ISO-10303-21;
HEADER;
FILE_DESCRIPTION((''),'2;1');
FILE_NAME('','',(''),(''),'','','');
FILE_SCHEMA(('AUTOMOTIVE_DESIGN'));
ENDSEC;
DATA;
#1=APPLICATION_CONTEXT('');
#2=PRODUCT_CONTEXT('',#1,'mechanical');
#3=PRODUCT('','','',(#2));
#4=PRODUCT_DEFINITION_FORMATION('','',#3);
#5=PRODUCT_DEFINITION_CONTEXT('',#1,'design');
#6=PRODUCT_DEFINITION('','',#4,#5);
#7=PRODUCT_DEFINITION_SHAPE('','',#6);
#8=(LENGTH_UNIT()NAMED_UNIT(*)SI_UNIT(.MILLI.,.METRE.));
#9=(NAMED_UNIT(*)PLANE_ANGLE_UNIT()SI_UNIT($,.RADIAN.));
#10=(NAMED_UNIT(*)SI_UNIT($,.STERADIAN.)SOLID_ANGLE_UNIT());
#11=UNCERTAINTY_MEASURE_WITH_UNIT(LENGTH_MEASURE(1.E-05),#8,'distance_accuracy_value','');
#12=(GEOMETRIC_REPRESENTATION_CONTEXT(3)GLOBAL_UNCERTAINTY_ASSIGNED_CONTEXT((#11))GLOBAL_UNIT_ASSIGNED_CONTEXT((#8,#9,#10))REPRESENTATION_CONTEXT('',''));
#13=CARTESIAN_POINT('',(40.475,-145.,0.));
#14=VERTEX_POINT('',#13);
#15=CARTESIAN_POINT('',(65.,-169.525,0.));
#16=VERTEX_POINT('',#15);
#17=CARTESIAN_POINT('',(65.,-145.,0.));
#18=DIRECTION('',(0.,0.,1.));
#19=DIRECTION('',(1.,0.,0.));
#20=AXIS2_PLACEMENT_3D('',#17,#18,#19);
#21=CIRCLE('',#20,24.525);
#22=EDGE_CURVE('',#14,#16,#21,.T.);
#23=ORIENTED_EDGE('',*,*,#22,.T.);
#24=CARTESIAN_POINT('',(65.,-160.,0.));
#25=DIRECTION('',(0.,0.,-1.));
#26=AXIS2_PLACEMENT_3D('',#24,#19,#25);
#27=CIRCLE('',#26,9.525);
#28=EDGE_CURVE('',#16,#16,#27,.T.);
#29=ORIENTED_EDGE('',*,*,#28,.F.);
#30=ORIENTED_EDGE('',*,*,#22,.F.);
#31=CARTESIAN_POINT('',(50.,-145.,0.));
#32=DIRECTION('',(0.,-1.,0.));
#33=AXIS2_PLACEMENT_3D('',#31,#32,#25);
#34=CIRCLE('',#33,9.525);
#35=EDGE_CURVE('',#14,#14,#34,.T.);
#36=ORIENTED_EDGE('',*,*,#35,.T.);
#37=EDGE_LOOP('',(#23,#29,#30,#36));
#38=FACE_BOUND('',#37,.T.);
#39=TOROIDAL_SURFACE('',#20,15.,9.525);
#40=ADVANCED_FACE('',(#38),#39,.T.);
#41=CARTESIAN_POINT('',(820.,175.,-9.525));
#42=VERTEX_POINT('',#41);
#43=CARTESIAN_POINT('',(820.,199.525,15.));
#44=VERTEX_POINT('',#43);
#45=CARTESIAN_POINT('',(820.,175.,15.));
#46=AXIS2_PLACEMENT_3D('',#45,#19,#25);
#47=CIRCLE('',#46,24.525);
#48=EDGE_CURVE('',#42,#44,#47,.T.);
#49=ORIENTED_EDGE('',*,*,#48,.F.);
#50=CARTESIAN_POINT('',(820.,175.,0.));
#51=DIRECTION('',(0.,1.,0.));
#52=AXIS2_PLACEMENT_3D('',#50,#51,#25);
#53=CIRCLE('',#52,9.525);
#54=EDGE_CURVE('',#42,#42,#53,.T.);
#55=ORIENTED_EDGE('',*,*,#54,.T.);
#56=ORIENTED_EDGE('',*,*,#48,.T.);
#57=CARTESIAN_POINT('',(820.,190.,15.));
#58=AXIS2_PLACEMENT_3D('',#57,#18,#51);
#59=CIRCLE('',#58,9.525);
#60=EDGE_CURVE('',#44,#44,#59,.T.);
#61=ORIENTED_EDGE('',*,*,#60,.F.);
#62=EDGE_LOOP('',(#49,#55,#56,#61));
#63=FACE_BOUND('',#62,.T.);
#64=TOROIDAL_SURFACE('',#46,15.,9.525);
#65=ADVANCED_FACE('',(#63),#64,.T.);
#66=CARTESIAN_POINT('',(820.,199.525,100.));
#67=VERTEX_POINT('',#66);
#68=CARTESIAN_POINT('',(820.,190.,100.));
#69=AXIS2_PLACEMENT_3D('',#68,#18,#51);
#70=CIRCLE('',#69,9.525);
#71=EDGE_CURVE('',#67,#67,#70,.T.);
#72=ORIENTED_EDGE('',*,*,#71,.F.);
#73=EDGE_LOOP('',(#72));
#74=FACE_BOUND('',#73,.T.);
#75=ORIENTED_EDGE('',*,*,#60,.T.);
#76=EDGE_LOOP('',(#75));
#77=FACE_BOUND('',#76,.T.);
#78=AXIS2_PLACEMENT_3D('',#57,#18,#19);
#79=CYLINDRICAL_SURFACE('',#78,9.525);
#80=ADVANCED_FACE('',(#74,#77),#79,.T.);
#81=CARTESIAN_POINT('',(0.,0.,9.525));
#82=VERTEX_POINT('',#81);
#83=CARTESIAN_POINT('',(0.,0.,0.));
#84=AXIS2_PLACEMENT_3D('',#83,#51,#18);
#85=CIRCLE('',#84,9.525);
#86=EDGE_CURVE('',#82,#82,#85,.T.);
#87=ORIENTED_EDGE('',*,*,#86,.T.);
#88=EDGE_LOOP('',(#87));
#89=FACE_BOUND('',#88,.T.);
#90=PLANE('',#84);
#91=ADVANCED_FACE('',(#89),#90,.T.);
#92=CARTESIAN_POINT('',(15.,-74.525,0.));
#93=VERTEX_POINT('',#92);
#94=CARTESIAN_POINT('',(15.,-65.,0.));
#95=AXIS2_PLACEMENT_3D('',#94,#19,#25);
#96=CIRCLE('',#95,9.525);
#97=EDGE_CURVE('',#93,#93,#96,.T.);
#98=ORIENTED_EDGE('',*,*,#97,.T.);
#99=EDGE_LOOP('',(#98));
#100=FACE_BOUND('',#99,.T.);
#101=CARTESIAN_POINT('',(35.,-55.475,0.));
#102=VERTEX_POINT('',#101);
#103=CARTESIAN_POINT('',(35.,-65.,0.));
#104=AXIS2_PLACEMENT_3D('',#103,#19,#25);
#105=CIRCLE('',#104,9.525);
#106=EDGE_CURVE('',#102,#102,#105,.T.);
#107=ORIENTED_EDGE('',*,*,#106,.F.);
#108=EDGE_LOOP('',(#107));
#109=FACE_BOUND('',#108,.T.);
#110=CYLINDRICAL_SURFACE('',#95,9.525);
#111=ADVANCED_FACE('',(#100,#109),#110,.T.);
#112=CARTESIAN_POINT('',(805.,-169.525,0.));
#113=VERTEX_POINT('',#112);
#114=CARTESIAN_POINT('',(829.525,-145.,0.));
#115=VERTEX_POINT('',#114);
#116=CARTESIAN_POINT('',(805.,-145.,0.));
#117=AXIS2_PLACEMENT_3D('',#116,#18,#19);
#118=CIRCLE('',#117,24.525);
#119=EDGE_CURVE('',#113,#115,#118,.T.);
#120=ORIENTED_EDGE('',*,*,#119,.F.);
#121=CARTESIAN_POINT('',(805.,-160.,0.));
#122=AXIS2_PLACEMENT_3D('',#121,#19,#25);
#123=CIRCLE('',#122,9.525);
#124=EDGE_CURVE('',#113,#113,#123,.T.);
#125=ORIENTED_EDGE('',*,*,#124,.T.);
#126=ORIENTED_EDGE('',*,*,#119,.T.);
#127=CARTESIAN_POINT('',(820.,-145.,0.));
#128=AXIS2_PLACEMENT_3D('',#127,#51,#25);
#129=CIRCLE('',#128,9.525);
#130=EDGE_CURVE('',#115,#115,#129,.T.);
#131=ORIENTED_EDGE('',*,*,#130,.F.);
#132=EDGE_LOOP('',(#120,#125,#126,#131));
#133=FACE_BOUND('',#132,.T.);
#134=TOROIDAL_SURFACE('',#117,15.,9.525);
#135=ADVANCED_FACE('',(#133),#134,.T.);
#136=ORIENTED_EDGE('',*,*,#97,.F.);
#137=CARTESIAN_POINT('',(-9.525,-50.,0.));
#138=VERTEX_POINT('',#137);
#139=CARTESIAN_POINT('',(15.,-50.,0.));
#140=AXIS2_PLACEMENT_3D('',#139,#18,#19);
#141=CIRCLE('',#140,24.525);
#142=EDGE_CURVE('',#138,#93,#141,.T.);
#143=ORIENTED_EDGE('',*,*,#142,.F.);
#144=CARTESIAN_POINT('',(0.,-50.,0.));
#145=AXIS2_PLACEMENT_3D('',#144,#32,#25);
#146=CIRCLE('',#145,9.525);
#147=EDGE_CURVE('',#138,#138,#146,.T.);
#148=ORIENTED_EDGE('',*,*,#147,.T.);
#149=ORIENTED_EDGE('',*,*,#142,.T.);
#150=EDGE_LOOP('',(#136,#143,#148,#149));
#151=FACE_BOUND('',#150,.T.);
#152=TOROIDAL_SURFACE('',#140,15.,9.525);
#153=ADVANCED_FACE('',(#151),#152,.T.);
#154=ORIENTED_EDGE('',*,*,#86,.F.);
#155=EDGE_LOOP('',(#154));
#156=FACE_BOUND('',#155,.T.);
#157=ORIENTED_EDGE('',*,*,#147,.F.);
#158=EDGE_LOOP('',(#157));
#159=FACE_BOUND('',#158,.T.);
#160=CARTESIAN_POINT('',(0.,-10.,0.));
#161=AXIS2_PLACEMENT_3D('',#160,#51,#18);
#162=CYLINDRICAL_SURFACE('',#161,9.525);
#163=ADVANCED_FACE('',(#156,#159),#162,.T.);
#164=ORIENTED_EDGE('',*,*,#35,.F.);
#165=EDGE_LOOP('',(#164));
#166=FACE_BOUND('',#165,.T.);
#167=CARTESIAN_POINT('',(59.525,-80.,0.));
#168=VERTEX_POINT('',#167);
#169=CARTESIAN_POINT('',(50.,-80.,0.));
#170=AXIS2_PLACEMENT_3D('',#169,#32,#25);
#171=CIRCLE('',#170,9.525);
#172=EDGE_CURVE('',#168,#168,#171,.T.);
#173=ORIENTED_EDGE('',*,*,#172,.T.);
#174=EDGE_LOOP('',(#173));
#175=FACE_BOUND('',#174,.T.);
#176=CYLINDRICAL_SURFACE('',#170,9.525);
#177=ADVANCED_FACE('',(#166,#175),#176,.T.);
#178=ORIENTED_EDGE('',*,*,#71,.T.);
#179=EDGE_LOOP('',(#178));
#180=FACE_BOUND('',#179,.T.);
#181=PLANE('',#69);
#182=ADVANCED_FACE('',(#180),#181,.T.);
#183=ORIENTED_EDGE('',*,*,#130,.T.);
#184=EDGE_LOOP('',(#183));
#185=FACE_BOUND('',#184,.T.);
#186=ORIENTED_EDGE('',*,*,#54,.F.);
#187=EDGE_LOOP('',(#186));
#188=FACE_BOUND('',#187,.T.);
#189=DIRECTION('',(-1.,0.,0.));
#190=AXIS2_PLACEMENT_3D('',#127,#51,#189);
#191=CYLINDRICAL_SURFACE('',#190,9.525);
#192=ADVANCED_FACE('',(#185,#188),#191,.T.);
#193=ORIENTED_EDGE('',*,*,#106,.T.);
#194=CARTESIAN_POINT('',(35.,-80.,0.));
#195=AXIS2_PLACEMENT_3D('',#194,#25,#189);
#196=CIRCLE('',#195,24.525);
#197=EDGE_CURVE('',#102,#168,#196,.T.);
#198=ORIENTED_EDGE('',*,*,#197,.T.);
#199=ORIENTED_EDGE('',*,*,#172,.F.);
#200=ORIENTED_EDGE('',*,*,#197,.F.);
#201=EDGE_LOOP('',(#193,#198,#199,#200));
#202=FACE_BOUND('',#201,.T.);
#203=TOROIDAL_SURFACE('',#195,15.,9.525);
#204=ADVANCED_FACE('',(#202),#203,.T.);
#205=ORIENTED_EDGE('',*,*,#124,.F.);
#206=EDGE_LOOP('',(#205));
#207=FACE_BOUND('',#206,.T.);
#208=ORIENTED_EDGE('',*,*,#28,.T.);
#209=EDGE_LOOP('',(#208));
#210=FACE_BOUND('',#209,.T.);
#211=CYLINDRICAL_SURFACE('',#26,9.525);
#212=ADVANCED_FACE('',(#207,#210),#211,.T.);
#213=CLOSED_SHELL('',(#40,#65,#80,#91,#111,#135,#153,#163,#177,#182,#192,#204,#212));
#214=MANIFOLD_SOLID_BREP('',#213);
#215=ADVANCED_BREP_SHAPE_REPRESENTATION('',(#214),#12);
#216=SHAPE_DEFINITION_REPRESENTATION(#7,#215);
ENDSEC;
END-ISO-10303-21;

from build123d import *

# Parameters (mm, degrees)
CROQUIS1_R              = 9.525
SALIENTE_EXTRUIR1_DEPTH = 10
CROQUIS2_R              = 9.525


with BuildPart() as part:
    # Croquis1 → Saliente-Extruir1 (new body)
    with BuildSketch(Plane(origin=(0, 0, 0), x_dir=(1, 0, 0), z_dir=(0, 1, 0))):
        with Locations(Location((0, 0, 0), (0, 0, 270))):
            Circle(CROQUIS1_R)
    extrude(amount=-SALIENTE_EXTRUIR1_DEPTH)

    # Barrer1: sweep along a curve in space
    with BuildLine() as barrer1_path:
        Line((0, -10, 0), (0, -50, 0))
        ThreePointArc((0, -50, 0), (4.393398282, -60.606601718, 0), (15, -65, 0))
        Line((15, -65, 0), (35, -65, 0))
        ThreePointArc((35, -65, 0), (45.606601718, -69.393398282, 0), (50, -80, 0))
        Line((50, -80, 0), (50, -145, 0))
        ThreePointArc((50, -145, 0), (54.393398282, -155.606601718, 0), (65, -160, 0))
        Line((65, -160, 0), (805, -160, 0))
        ThreePointArc((805, -160, 0), (815.606601718, -155.606601718, 0), (820, -145, 0))
        Line((820, -145, 0), (820, 175, 0))
        ThreePointArc((820, 175, 0), (820, 185.606601718, 4.393398282), (820, 190, 15))
        Line((820, 190, 15), (820, 190, 100))
    # Croquis2 → Barrer1 (sweep)
    with BuildSketch(Plane.XZ.offset(10)):
        Circle(CROQUIS2_R)
    sweep(path=barrer1_path.line)


solid = part.part
